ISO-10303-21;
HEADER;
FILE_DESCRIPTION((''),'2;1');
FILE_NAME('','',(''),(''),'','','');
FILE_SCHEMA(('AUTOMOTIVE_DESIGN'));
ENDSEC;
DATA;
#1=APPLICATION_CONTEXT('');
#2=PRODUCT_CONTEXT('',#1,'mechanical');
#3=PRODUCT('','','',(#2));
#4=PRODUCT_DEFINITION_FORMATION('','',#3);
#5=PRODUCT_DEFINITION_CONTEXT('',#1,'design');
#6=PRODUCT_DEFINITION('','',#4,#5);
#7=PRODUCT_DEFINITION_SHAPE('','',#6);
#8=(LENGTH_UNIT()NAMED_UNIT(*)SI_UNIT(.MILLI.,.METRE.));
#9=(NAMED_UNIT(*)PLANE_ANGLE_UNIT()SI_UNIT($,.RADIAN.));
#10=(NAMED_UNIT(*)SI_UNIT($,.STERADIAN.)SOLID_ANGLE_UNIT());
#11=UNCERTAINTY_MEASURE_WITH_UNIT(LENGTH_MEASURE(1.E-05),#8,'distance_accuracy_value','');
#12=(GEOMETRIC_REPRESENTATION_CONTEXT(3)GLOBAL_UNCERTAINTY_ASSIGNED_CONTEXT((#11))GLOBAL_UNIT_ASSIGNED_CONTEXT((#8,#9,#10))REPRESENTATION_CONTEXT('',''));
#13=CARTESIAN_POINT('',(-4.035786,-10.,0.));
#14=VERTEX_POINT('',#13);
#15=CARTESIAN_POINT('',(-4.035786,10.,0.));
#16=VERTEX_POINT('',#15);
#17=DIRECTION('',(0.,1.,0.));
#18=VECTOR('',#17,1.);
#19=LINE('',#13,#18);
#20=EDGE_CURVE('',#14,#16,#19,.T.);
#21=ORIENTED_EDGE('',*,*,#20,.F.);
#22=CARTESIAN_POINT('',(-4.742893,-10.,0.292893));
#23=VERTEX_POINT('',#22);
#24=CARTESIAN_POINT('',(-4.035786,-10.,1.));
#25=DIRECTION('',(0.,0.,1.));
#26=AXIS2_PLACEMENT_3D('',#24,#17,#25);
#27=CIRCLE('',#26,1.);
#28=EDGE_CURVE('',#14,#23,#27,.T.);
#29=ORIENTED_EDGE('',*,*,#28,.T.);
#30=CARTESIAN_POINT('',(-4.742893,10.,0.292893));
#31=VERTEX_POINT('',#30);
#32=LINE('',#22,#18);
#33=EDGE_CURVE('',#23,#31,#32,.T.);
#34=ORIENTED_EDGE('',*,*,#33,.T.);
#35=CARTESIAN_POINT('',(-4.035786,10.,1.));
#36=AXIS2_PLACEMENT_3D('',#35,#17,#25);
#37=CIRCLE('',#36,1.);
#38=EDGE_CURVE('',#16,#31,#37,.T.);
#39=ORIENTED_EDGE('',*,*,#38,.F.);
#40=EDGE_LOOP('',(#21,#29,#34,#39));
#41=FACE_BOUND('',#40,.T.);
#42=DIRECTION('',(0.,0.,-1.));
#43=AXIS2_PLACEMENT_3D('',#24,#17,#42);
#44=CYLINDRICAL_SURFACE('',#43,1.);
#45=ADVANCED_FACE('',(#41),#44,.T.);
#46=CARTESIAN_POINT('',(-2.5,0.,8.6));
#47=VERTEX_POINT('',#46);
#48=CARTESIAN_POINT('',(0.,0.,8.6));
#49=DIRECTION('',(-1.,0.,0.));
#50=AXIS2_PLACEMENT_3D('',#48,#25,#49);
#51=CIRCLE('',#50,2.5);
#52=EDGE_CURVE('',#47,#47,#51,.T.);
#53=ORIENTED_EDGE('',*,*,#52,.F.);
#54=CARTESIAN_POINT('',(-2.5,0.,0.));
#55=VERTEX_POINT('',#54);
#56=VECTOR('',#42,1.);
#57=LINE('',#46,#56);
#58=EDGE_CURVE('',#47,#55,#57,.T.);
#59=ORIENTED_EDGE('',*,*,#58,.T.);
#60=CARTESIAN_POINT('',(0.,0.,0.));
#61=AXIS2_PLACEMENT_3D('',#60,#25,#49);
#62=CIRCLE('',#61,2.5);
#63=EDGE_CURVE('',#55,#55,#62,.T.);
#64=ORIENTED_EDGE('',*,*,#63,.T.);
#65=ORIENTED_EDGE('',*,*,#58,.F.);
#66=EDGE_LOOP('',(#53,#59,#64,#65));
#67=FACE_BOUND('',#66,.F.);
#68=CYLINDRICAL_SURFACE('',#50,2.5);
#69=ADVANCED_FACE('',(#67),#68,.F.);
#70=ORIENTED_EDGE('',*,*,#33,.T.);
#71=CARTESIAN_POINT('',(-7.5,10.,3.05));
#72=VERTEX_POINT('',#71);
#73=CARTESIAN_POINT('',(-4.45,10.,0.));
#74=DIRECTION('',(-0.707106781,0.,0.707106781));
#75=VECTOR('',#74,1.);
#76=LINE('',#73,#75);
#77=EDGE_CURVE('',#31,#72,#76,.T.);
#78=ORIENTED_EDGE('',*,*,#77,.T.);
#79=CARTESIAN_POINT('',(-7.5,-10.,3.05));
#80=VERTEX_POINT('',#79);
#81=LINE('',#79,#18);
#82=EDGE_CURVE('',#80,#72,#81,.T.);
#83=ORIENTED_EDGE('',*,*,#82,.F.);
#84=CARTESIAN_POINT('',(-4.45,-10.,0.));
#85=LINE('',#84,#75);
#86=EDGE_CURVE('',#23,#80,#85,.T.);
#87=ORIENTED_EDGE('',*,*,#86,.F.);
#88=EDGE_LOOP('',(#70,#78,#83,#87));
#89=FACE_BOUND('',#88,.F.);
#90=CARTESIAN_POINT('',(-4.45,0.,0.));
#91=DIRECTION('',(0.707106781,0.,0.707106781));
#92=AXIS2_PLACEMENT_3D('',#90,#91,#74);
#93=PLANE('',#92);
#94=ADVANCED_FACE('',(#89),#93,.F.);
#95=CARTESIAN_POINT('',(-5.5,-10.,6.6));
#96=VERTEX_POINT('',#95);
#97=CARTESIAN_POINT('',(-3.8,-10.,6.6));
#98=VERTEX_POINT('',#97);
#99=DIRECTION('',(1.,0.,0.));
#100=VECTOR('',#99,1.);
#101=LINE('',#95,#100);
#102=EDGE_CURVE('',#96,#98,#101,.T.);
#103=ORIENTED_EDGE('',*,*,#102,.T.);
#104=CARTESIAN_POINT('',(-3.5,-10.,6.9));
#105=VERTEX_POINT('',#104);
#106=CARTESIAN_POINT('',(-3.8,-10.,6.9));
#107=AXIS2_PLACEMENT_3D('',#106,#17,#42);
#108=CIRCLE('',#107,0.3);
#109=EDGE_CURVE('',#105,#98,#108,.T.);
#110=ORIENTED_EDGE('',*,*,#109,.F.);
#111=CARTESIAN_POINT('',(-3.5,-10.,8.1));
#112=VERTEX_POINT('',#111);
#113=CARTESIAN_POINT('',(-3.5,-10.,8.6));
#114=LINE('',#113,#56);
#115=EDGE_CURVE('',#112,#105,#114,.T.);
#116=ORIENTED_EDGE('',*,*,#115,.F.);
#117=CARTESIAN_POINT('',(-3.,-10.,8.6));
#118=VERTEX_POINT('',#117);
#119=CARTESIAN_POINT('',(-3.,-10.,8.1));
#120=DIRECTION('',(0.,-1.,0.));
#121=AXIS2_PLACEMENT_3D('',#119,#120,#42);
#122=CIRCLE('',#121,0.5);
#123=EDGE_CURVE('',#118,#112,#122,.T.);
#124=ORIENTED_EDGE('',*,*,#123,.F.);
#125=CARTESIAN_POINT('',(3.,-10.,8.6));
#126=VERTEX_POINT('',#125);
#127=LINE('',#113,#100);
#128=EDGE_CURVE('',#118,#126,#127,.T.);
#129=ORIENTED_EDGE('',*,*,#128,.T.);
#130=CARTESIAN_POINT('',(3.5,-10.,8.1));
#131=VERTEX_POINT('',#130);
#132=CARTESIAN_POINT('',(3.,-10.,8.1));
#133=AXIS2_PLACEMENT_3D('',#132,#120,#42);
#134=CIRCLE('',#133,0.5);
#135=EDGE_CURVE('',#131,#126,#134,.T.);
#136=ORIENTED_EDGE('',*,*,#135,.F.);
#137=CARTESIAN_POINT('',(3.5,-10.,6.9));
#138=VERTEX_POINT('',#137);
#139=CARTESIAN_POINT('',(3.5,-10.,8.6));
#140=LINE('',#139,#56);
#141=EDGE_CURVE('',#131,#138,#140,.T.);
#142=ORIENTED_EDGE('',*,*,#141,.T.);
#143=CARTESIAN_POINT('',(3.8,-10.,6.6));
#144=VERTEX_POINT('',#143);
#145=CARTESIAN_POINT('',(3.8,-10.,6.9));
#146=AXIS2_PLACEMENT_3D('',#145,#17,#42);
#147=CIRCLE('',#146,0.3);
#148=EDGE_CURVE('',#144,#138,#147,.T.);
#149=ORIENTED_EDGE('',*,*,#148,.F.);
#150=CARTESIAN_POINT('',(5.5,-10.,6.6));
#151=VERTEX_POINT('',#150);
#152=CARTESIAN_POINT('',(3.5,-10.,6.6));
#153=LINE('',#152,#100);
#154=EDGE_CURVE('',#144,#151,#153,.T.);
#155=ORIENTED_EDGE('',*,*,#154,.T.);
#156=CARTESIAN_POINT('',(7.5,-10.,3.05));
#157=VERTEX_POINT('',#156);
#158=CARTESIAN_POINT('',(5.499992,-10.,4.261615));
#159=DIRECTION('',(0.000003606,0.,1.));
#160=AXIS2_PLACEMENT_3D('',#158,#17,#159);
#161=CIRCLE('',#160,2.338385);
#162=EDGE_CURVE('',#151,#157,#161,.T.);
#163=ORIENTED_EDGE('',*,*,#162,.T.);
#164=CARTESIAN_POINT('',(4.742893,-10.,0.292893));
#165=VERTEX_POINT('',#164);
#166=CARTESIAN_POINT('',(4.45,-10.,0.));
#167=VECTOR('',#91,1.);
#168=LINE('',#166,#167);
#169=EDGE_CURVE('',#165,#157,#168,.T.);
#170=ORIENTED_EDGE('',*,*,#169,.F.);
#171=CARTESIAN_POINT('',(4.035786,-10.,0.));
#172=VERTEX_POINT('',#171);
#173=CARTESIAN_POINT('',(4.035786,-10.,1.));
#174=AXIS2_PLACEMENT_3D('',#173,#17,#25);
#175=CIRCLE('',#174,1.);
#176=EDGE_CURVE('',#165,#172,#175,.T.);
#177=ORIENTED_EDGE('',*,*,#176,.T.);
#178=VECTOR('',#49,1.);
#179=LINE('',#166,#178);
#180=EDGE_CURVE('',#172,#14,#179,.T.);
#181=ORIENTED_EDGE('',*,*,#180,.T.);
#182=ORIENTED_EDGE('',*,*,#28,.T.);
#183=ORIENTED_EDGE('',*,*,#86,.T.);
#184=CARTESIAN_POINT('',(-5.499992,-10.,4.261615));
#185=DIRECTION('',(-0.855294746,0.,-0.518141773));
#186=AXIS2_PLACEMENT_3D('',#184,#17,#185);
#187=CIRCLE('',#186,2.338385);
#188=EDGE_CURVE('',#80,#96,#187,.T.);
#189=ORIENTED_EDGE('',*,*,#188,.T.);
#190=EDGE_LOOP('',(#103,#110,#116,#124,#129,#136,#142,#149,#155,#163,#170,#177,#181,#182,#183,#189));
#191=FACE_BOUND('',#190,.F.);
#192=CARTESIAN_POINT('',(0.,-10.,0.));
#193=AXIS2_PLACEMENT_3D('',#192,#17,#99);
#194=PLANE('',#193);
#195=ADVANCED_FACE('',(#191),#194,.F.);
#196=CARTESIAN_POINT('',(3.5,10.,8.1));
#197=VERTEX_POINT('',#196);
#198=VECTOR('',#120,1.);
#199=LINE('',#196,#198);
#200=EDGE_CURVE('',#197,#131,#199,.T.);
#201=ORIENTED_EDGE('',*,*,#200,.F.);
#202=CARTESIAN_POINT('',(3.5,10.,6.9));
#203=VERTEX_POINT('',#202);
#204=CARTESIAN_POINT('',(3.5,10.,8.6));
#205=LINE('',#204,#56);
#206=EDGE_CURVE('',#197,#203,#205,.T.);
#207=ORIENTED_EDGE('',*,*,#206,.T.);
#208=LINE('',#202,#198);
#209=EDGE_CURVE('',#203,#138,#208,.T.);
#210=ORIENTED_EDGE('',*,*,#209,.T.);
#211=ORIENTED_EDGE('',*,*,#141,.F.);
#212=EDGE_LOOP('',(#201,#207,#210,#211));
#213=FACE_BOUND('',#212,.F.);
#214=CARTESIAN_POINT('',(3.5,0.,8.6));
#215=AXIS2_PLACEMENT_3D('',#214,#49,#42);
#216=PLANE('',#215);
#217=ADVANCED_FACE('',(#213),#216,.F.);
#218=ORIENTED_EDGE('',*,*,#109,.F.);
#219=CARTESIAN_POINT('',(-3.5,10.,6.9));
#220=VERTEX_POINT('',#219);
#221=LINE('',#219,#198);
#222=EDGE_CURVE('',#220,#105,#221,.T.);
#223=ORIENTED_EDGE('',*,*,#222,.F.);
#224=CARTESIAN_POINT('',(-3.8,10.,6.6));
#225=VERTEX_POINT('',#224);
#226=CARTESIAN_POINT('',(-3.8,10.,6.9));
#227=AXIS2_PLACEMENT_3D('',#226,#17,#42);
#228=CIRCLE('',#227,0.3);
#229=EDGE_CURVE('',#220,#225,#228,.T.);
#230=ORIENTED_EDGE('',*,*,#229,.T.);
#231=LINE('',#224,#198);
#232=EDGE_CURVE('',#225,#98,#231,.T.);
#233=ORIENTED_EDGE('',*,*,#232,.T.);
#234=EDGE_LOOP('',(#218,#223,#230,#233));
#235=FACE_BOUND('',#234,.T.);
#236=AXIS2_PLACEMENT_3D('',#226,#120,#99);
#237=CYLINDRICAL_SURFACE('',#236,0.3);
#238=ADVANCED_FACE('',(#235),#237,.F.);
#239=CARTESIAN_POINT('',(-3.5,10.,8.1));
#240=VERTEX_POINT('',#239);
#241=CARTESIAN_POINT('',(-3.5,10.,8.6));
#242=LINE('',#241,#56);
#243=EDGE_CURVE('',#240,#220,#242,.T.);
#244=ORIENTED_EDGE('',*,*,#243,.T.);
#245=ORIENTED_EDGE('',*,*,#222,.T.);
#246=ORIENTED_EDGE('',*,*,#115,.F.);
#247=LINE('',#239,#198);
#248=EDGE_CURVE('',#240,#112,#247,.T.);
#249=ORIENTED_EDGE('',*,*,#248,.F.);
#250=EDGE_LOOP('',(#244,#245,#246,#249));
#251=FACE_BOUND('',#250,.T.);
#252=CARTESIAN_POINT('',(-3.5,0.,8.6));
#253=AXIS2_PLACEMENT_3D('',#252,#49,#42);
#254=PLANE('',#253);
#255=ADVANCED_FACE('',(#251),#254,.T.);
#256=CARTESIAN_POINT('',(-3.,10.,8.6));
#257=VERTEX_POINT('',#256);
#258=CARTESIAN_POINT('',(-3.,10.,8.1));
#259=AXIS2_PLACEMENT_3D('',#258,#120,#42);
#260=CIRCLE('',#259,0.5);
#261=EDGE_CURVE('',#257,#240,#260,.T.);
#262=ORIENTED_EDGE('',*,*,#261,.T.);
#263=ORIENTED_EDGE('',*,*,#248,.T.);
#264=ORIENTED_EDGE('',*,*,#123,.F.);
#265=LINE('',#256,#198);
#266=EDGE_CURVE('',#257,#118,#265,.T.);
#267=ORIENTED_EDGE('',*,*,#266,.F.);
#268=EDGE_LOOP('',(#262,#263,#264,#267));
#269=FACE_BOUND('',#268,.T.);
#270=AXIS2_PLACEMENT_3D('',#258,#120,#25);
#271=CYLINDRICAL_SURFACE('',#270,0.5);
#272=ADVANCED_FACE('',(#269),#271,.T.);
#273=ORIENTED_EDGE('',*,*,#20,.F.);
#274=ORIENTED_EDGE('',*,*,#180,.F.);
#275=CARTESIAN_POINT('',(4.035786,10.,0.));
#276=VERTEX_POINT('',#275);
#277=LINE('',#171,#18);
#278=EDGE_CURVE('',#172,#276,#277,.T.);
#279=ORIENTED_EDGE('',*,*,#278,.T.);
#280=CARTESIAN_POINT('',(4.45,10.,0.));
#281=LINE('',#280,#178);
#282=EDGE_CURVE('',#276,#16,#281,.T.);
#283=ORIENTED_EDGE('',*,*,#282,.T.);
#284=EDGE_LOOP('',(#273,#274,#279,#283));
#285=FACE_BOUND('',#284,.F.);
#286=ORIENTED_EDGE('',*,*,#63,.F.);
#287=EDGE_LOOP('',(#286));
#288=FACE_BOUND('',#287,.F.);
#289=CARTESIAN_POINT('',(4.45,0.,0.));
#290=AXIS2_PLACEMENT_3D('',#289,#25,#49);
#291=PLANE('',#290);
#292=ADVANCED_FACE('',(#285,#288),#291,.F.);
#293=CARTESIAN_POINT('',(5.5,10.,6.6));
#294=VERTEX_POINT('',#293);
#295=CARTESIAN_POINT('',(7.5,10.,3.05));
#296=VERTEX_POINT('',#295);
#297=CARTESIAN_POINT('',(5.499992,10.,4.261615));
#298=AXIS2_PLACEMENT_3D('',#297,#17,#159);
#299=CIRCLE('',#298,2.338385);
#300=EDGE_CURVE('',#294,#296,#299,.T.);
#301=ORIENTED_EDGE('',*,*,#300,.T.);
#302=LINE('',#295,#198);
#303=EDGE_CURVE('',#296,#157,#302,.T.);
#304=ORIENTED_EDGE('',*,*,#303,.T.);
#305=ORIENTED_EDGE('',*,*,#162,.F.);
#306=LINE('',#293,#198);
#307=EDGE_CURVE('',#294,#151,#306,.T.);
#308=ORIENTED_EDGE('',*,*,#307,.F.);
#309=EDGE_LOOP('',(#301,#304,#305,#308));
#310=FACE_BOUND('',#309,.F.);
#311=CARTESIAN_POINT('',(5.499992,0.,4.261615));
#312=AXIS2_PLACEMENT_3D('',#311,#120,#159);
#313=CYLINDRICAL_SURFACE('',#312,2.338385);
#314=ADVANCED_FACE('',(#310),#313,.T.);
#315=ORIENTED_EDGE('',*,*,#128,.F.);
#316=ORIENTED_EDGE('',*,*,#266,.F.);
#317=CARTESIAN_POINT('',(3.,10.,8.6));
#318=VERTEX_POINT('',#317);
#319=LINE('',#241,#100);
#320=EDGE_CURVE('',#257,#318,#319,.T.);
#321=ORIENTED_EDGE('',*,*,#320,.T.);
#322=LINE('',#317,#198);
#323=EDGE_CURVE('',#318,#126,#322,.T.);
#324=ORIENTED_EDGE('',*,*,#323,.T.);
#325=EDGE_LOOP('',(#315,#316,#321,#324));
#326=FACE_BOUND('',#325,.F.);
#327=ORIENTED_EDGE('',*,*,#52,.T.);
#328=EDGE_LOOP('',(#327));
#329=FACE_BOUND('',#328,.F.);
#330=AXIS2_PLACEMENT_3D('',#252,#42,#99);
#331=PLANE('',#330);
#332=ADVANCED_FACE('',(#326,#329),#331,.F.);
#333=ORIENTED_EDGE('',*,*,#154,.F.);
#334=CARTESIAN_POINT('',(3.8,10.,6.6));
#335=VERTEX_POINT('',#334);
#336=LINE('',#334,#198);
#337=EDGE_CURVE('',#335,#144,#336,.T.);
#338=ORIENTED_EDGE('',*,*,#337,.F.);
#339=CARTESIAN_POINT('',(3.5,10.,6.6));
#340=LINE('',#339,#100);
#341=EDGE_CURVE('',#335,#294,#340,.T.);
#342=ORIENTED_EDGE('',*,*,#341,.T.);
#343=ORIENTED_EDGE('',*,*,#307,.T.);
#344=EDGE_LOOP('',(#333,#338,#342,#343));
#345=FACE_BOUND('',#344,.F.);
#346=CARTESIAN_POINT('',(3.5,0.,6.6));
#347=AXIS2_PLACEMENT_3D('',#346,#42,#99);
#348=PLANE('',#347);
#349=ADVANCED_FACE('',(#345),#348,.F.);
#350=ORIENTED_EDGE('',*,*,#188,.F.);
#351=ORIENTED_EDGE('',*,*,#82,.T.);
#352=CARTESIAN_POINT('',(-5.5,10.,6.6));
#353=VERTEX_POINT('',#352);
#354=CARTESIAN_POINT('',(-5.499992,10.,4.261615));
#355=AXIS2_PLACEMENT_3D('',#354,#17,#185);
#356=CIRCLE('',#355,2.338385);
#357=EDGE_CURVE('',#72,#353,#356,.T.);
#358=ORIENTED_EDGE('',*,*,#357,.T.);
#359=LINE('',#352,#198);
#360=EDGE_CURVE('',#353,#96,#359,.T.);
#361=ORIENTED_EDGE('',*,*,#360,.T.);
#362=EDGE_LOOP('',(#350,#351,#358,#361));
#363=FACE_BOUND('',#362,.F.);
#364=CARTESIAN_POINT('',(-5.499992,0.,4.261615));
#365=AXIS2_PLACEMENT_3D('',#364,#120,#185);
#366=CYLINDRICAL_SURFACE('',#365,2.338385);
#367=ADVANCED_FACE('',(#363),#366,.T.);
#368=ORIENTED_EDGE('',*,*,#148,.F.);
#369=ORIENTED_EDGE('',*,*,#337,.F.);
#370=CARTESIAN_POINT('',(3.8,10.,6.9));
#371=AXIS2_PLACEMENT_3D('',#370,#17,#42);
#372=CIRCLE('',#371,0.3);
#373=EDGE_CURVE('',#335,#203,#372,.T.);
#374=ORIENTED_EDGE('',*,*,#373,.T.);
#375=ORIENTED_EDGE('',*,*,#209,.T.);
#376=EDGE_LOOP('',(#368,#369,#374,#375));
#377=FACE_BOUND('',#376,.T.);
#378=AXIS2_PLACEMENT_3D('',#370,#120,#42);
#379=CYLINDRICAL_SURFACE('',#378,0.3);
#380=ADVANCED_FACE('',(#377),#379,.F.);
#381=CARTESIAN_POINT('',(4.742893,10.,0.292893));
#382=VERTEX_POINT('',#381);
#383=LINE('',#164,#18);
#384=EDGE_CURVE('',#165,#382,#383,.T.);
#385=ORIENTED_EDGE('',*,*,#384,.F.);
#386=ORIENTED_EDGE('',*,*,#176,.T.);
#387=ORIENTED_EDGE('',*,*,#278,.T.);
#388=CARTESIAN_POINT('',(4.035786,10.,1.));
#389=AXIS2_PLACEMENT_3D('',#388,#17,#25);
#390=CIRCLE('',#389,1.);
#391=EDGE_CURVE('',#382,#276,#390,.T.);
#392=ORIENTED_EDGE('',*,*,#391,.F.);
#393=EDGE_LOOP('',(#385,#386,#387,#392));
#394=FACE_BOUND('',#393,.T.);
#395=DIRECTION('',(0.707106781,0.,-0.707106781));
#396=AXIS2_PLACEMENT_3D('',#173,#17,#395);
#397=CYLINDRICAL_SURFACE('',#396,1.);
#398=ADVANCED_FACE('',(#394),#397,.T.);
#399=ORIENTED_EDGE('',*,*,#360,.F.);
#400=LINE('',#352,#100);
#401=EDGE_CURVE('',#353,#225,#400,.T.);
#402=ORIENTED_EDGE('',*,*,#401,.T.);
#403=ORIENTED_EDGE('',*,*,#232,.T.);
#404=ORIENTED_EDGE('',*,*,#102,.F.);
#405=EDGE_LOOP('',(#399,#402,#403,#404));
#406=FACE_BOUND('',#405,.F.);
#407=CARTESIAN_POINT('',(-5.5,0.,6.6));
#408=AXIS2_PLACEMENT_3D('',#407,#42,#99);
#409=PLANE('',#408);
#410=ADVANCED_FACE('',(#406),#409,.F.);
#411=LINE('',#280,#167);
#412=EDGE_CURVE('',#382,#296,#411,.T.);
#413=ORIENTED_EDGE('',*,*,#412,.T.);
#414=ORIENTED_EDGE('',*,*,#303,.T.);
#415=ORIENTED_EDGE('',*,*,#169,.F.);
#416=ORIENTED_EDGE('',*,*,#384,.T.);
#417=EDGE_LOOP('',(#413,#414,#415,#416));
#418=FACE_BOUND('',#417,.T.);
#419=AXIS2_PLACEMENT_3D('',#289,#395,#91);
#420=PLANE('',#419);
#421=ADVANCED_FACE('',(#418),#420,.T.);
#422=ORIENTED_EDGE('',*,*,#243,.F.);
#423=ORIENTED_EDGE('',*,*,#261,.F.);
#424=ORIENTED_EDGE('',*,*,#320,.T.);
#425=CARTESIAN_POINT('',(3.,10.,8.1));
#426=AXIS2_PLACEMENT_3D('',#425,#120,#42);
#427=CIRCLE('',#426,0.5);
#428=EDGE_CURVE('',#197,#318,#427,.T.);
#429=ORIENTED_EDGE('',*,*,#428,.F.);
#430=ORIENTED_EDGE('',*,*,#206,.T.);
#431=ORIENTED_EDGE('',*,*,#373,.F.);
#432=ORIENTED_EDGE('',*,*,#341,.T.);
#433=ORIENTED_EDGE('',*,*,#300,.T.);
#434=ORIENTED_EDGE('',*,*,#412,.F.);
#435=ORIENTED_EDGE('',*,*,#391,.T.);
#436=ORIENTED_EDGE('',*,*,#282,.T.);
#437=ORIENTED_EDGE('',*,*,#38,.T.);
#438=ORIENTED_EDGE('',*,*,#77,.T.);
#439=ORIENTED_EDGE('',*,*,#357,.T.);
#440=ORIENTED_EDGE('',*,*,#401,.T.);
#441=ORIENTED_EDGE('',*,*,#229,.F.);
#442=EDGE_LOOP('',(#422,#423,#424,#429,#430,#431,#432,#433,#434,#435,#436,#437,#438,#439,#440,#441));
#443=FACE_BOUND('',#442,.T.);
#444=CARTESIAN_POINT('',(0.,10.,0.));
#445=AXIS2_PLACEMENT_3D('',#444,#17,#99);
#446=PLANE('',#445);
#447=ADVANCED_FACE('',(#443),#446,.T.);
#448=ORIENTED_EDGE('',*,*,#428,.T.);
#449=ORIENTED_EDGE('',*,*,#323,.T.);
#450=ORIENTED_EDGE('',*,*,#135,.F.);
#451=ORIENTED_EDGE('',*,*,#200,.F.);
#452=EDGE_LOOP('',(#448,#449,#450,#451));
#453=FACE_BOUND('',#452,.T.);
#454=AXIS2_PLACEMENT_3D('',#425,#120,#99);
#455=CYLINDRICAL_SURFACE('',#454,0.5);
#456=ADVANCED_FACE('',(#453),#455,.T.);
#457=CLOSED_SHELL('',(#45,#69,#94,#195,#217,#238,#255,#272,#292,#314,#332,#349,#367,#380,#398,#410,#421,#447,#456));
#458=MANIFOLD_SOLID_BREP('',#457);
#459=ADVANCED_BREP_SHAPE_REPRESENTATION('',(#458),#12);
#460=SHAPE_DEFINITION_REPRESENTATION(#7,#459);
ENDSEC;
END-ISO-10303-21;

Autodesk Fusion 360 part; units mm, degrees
sketch "Sketch1" plane through (0, 0, 0) normal (0, 1, 0) x (1, 0, 0)
  line L0 (4.45, 0) -> (-4.45, 0)
  line L1 (-3.5, -8.6) -> (3.5, -8.6)
  line L2 (3.5, -8.6) -> (3.5, -6.6)
  line L3 (-3.5, -8.6) -> (-3.5, -6.6)
  line L4 (4.45, 0) -> (7.5, -3.05)
  line L5 (-4.45, 0) -> (-7.5, -3.05)
  line L6 (-4.45, 0) -> (-0.1366, 0) construction
  arc A0 (5.5, -6.6) -> (7.5, -3.05) centre (5.5, -4.2616) ccw
  arc A1 (-7.5, -3.05) -> (-5.5, -6.6) centre (-5.5, -4.2616) ccw
  line L7 (-5.5, -6.6) -> (-3.5, -6.6)
  line L8 (3.5, -6.6) -> (5.5, -6.6)
  dimension "d2" = 8.9
  dimension "d3" = 2
  dimension "d4" = 7
  dimension "d8" = 135
extrude "Extrude3" add sketch "Sketch1" along normal mid plane 20
sketch "Sketch2" plane through (0, 0, 8.6) normal (0, 0, 1) x (-1, 0, 0)
  line L0 (-3.5, 10) -> (-3.5, -10)
  line L1 (-3.5, -10) -> (3.5, -10)
  line L2 (3.5, -10) -> (3.5, 10)
  line L3 (3.5, 10) -> (-3.5, 10)
  circle A0 centre (0, 0) radius 2.5
  dimension "d22" = 5
extrude "Extrude4" cut sketch "Sketch2" against normal blind 8.8 contours A0
thread "Thread2"
fillet "Fillet4" radius 1 2 edges at (4.45, 0, 0) (-4.45, 0, 0)
fillet "Fillet5" radius 0.3 2 edges at (3.5, 0, 6.6) (-3.5, 0, 6.6)
fillet "Fillet6" radius 0.5 2 edges at (-3.5, 0, 8.6) (3.5, 0, 8.6)
